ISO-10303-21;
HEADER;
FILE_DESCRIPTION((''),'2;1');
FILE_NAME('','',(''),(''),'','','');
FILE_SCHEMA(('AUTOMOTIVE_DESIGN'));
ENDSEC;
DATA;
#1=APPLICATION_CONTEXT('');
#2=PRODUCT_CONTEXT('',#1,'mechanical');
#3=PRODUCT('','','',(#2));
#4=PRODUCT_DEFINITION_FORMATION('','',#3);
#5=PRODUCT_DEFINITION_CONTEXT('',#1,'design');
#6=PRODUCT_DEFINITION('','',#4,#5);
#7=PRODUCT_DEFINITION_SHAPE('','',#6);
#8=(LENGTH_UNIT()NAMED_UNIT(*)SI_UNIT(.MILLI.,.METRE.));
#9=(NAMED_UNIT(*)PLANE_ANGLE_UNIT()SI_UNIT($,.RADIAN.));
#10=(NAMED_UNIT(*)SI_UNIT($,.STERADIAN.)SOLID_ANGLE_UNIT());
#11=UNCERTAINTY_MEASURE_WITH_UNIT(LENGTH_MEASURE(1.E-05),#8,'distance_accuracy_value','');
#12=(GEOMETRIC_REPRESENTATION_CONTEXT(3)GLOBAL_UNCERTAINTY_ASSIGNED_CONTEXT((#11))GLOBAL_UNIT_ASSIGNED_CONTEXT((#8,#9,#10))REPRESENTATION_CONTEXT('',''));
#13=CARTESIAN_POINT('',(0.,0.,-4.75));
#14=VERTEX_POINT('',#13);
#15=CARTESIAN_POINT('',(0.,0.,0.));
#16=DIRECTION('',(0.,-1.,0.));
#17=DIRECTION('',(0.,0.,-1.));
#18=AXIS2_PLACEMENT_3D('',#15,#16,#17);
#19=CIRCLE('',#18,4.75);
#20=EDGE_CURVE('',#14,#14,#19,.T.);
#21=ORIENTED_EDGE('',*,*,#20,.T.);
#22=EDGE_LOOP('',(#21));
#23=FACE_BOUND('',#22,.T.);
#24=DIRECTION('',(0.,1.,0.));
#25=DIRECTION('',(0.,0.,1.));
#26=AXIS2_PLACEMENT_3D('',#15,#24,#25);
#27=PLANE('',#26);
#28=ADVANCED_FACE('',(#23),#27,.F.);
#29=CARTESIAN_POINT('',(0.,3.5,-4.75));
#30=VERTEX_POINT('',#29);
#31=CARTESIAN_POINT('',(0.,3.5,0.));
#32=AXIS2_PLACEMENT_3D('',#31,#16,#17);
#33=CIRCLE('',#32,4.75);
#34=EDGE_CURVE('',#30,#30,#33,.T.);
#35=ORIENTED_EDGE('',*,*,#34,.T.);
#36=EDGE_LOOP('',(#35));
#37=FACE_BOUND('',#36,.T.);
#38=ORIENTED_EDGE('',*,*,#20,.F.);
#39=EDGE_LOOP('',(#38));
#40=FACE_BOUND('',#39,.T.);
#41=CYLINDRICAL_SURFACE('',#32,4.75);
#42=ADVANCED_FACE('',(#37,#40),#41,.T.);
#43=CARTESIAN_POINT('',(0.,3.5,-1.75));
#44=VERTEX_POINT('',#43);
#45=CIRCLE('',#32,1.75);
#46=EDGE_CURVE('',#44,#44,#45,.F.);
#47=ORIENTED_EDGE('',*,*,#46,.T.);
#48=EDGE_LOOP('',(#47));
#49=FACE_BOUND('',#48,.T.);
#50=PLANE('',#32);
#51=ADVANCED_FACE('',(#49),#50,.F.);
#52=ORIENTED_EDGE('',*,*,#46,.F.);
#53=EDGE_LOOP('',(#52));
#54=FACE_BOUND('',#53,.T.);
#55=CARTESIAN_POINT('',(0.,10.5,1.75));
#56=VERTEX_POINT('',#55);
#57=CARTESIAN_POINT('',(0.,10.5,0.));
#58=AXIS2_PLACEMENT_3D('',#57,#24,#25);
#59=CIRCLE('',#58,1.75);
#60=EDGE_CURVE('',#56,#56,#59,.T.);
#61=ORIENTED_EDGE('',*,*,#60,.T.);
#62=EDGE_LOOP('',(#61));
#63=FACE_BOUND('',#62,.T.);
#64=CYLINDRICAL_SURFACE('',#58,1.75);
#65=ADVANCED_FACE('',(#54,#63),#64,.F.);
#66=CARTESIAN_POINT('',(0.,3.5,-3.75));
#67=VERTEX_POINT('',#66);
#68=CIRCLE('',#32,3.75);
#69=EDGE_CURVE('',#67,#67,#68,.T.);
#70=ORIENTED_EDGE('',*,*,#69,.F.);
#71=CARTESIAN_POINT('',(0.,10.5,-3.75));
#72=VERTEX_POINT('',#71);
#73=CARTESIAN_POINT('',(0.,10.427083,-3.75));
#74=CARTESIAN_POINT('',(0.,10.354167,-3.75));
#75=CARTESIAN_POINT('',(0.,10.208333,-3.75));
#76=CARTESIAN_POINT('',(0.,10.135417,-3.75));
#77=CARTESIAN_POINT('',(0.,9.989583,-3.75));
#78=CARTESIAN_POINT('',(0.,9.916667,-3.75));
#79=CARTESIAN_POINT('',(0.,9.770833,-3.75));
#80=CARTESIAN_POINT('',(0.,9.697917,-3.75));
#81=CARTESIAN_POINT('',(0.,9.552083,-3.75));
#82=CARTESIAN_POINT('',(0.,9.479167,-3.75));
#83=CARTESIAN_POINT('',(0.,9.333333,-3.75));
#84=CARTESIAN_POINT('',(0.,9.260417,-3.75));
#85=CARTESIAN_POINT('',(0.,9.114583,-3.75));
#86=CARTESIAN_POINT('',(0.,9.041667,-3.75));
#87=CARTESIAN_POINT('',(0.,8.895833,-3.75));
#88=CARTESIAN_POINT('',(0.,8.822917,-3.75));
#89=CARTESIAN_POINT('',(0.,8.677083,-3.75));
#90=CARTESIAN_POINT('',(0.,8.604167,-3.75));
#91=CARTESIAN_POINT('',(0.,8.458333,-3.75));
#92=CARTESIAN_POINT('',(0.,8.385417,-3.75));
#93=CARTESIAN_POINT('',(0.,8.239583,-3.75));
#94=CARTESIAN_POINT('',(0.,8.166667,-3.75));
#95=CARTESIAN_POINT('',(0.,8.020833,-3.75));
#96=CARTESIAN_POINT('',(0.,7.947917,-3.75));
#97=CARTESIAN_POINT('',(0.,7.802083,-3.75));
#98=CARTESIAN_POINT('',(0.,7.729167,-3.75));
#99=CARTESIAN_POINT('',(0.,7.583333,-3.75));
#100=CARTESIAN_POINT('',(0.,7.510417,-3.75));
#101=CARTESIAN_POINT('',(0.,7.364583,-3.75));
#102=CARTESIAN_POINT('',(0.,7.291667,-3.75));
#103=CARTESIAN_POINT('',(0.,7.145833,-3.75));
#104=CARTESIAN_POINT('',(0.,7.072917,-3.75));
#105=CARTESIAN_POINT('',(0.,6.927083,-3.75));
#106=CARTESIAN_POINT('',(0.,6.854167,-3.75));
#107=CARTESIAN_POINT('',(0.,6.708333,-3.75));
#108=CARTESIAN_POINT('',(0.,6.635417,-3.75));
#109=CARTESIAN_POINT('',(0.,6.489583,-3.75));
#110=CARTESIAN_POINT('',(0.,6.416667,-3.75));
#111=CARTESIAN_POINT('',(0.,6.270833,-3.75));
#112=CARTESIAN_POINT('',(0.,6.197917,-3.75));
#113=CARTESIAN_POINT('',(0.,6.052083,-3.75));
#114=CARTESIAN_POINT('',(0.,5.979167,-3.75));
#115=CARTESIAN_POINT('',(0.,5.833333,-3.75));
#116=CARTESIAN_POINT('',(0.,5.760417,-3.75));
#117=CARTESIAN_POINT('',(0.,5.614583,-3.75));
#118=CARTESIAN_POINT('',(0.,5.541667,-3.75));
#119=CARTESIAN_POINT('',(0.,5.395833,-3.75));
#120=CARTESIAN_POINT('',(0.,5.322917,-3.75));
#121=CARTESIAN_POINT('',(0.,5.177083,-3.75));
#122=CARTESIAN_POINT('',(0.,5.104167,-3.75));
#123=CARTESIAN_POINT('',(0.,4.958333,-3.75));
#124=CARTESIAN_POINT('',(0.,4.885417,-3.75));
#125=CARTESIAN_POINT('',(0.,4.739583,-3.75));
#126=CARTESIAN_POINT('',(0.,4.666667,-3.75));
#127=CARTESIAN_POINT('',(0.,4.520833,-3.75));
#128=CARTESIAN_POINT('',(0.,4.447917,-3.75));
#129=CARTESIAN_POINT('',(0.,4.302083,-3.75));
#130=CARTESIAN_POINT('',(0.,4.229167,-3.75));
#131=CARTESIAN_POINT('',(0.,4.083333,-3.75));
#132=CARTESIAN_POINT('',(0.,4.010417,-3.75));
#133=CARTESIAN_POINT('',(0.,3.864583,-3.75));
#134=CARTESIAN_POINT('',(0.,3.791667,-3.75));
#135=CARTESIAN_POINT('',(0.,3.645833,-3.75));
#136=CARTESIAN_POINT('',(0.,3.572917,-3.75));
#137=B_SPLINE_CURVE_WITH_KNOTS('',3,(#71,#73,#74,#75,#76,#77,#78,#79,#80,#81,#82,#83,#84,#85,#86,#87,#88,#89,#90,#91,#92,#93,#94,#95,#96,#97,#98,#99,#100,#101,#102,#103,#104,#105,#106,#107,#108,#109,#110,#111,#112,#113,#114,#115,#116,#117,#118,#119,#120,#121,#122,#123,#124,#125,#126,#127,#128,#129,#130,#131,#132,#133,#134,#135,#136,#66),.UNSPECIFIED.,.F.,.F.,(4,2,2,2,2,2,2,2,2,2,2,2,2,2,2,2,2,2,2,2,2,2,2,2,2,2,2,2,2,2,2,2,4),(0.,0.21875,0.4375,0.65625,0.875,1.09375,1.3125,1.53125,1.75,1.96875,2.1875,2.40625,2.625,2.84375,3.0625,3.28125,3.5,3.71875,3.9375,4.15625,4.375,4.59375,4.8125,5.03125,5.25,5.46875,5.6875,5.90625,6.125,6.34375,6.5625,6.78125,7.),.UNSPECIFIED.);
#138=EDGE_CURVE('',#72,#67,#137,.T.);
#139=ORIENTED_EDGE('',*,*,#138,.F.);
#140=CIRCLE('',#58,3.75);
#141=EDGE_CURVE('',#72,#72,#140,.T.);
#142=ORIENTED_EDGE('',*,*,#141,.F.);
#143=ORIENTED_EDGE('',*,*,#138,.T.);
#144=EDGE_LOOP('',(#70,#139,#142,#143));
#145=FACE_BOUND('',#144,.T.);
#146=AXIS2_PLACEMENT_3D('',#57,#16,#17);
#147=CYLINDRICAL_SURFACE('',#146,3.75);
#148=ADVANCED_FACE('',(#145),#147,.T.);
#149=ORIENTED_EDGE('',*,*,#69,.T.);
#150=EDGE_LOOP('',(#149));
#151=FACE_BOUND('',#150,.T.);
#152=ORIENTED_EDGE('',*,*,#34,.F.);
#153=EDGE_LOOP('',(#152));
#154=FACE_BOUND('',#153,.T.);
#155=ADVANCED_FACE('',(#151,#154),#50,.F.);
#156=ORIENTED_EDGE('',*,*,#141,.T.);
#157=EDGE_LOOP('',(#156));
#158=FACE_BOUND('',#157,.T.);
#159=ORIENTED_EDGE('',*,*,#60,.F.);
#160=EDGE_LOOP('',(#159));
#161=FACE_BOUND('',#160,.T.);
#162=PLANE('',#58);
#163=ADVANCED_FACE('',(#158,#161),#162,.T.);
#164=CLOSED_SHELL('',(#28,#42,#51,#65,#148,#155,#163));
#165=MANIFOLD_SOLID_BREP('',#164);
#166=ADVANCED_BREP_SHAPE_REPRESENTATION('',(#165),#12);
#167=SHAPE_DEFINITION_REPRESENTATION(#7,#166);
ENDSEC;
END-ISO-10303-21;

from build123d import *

# Parameters (mm, degrees)
SKETCH1_R                  = 3.75
BOSS_EXTRUDE1_DEPTH        = 10.5
F_3_5_3_5_DIAMETER_HOLE1_D = 3.5
SKETCH4_R                  = 4.75
BOSS_EXTRUDE2_DEPTH        = 3.5


with BuildPart() as part:
    # Sketch1 → Boss-Extrude1 (new body)
    with BuildSketch(Plane(origin=(0, 0, 0), x_dir=(1, 0, 0), z_dir=(0, 1, 0))):
        with Locations(Location((0, 0, 0), (0, 0, 90))):
            Circle(SKETCH1_R)
    extrude(amount=BOSS_EXTRUDE1_DEPTH)

    # Ø3.5 (3.5) Diameter Hole1 (through all)
    with Locations(Plane(origin=(0, 10.5, 0), x_dir=(1, 0, 0), z_dir=(0, 1, 0))):
        with Locations((0, 0)):
            Hole(F_3_5_3_5_DIAMETER_HOLE1_D / 2)

    # Sketch4 → Boss-Extrude2 (add)
    with BuildSketch(Plane.XZ):
        with Locations(Location((0, 0, 0), (0, 0, 270))):
            Circle(SKETCH4_R)
    extrude(amount=-BOSS_EXTRUDE2_DEPTH)


solid = part.part
